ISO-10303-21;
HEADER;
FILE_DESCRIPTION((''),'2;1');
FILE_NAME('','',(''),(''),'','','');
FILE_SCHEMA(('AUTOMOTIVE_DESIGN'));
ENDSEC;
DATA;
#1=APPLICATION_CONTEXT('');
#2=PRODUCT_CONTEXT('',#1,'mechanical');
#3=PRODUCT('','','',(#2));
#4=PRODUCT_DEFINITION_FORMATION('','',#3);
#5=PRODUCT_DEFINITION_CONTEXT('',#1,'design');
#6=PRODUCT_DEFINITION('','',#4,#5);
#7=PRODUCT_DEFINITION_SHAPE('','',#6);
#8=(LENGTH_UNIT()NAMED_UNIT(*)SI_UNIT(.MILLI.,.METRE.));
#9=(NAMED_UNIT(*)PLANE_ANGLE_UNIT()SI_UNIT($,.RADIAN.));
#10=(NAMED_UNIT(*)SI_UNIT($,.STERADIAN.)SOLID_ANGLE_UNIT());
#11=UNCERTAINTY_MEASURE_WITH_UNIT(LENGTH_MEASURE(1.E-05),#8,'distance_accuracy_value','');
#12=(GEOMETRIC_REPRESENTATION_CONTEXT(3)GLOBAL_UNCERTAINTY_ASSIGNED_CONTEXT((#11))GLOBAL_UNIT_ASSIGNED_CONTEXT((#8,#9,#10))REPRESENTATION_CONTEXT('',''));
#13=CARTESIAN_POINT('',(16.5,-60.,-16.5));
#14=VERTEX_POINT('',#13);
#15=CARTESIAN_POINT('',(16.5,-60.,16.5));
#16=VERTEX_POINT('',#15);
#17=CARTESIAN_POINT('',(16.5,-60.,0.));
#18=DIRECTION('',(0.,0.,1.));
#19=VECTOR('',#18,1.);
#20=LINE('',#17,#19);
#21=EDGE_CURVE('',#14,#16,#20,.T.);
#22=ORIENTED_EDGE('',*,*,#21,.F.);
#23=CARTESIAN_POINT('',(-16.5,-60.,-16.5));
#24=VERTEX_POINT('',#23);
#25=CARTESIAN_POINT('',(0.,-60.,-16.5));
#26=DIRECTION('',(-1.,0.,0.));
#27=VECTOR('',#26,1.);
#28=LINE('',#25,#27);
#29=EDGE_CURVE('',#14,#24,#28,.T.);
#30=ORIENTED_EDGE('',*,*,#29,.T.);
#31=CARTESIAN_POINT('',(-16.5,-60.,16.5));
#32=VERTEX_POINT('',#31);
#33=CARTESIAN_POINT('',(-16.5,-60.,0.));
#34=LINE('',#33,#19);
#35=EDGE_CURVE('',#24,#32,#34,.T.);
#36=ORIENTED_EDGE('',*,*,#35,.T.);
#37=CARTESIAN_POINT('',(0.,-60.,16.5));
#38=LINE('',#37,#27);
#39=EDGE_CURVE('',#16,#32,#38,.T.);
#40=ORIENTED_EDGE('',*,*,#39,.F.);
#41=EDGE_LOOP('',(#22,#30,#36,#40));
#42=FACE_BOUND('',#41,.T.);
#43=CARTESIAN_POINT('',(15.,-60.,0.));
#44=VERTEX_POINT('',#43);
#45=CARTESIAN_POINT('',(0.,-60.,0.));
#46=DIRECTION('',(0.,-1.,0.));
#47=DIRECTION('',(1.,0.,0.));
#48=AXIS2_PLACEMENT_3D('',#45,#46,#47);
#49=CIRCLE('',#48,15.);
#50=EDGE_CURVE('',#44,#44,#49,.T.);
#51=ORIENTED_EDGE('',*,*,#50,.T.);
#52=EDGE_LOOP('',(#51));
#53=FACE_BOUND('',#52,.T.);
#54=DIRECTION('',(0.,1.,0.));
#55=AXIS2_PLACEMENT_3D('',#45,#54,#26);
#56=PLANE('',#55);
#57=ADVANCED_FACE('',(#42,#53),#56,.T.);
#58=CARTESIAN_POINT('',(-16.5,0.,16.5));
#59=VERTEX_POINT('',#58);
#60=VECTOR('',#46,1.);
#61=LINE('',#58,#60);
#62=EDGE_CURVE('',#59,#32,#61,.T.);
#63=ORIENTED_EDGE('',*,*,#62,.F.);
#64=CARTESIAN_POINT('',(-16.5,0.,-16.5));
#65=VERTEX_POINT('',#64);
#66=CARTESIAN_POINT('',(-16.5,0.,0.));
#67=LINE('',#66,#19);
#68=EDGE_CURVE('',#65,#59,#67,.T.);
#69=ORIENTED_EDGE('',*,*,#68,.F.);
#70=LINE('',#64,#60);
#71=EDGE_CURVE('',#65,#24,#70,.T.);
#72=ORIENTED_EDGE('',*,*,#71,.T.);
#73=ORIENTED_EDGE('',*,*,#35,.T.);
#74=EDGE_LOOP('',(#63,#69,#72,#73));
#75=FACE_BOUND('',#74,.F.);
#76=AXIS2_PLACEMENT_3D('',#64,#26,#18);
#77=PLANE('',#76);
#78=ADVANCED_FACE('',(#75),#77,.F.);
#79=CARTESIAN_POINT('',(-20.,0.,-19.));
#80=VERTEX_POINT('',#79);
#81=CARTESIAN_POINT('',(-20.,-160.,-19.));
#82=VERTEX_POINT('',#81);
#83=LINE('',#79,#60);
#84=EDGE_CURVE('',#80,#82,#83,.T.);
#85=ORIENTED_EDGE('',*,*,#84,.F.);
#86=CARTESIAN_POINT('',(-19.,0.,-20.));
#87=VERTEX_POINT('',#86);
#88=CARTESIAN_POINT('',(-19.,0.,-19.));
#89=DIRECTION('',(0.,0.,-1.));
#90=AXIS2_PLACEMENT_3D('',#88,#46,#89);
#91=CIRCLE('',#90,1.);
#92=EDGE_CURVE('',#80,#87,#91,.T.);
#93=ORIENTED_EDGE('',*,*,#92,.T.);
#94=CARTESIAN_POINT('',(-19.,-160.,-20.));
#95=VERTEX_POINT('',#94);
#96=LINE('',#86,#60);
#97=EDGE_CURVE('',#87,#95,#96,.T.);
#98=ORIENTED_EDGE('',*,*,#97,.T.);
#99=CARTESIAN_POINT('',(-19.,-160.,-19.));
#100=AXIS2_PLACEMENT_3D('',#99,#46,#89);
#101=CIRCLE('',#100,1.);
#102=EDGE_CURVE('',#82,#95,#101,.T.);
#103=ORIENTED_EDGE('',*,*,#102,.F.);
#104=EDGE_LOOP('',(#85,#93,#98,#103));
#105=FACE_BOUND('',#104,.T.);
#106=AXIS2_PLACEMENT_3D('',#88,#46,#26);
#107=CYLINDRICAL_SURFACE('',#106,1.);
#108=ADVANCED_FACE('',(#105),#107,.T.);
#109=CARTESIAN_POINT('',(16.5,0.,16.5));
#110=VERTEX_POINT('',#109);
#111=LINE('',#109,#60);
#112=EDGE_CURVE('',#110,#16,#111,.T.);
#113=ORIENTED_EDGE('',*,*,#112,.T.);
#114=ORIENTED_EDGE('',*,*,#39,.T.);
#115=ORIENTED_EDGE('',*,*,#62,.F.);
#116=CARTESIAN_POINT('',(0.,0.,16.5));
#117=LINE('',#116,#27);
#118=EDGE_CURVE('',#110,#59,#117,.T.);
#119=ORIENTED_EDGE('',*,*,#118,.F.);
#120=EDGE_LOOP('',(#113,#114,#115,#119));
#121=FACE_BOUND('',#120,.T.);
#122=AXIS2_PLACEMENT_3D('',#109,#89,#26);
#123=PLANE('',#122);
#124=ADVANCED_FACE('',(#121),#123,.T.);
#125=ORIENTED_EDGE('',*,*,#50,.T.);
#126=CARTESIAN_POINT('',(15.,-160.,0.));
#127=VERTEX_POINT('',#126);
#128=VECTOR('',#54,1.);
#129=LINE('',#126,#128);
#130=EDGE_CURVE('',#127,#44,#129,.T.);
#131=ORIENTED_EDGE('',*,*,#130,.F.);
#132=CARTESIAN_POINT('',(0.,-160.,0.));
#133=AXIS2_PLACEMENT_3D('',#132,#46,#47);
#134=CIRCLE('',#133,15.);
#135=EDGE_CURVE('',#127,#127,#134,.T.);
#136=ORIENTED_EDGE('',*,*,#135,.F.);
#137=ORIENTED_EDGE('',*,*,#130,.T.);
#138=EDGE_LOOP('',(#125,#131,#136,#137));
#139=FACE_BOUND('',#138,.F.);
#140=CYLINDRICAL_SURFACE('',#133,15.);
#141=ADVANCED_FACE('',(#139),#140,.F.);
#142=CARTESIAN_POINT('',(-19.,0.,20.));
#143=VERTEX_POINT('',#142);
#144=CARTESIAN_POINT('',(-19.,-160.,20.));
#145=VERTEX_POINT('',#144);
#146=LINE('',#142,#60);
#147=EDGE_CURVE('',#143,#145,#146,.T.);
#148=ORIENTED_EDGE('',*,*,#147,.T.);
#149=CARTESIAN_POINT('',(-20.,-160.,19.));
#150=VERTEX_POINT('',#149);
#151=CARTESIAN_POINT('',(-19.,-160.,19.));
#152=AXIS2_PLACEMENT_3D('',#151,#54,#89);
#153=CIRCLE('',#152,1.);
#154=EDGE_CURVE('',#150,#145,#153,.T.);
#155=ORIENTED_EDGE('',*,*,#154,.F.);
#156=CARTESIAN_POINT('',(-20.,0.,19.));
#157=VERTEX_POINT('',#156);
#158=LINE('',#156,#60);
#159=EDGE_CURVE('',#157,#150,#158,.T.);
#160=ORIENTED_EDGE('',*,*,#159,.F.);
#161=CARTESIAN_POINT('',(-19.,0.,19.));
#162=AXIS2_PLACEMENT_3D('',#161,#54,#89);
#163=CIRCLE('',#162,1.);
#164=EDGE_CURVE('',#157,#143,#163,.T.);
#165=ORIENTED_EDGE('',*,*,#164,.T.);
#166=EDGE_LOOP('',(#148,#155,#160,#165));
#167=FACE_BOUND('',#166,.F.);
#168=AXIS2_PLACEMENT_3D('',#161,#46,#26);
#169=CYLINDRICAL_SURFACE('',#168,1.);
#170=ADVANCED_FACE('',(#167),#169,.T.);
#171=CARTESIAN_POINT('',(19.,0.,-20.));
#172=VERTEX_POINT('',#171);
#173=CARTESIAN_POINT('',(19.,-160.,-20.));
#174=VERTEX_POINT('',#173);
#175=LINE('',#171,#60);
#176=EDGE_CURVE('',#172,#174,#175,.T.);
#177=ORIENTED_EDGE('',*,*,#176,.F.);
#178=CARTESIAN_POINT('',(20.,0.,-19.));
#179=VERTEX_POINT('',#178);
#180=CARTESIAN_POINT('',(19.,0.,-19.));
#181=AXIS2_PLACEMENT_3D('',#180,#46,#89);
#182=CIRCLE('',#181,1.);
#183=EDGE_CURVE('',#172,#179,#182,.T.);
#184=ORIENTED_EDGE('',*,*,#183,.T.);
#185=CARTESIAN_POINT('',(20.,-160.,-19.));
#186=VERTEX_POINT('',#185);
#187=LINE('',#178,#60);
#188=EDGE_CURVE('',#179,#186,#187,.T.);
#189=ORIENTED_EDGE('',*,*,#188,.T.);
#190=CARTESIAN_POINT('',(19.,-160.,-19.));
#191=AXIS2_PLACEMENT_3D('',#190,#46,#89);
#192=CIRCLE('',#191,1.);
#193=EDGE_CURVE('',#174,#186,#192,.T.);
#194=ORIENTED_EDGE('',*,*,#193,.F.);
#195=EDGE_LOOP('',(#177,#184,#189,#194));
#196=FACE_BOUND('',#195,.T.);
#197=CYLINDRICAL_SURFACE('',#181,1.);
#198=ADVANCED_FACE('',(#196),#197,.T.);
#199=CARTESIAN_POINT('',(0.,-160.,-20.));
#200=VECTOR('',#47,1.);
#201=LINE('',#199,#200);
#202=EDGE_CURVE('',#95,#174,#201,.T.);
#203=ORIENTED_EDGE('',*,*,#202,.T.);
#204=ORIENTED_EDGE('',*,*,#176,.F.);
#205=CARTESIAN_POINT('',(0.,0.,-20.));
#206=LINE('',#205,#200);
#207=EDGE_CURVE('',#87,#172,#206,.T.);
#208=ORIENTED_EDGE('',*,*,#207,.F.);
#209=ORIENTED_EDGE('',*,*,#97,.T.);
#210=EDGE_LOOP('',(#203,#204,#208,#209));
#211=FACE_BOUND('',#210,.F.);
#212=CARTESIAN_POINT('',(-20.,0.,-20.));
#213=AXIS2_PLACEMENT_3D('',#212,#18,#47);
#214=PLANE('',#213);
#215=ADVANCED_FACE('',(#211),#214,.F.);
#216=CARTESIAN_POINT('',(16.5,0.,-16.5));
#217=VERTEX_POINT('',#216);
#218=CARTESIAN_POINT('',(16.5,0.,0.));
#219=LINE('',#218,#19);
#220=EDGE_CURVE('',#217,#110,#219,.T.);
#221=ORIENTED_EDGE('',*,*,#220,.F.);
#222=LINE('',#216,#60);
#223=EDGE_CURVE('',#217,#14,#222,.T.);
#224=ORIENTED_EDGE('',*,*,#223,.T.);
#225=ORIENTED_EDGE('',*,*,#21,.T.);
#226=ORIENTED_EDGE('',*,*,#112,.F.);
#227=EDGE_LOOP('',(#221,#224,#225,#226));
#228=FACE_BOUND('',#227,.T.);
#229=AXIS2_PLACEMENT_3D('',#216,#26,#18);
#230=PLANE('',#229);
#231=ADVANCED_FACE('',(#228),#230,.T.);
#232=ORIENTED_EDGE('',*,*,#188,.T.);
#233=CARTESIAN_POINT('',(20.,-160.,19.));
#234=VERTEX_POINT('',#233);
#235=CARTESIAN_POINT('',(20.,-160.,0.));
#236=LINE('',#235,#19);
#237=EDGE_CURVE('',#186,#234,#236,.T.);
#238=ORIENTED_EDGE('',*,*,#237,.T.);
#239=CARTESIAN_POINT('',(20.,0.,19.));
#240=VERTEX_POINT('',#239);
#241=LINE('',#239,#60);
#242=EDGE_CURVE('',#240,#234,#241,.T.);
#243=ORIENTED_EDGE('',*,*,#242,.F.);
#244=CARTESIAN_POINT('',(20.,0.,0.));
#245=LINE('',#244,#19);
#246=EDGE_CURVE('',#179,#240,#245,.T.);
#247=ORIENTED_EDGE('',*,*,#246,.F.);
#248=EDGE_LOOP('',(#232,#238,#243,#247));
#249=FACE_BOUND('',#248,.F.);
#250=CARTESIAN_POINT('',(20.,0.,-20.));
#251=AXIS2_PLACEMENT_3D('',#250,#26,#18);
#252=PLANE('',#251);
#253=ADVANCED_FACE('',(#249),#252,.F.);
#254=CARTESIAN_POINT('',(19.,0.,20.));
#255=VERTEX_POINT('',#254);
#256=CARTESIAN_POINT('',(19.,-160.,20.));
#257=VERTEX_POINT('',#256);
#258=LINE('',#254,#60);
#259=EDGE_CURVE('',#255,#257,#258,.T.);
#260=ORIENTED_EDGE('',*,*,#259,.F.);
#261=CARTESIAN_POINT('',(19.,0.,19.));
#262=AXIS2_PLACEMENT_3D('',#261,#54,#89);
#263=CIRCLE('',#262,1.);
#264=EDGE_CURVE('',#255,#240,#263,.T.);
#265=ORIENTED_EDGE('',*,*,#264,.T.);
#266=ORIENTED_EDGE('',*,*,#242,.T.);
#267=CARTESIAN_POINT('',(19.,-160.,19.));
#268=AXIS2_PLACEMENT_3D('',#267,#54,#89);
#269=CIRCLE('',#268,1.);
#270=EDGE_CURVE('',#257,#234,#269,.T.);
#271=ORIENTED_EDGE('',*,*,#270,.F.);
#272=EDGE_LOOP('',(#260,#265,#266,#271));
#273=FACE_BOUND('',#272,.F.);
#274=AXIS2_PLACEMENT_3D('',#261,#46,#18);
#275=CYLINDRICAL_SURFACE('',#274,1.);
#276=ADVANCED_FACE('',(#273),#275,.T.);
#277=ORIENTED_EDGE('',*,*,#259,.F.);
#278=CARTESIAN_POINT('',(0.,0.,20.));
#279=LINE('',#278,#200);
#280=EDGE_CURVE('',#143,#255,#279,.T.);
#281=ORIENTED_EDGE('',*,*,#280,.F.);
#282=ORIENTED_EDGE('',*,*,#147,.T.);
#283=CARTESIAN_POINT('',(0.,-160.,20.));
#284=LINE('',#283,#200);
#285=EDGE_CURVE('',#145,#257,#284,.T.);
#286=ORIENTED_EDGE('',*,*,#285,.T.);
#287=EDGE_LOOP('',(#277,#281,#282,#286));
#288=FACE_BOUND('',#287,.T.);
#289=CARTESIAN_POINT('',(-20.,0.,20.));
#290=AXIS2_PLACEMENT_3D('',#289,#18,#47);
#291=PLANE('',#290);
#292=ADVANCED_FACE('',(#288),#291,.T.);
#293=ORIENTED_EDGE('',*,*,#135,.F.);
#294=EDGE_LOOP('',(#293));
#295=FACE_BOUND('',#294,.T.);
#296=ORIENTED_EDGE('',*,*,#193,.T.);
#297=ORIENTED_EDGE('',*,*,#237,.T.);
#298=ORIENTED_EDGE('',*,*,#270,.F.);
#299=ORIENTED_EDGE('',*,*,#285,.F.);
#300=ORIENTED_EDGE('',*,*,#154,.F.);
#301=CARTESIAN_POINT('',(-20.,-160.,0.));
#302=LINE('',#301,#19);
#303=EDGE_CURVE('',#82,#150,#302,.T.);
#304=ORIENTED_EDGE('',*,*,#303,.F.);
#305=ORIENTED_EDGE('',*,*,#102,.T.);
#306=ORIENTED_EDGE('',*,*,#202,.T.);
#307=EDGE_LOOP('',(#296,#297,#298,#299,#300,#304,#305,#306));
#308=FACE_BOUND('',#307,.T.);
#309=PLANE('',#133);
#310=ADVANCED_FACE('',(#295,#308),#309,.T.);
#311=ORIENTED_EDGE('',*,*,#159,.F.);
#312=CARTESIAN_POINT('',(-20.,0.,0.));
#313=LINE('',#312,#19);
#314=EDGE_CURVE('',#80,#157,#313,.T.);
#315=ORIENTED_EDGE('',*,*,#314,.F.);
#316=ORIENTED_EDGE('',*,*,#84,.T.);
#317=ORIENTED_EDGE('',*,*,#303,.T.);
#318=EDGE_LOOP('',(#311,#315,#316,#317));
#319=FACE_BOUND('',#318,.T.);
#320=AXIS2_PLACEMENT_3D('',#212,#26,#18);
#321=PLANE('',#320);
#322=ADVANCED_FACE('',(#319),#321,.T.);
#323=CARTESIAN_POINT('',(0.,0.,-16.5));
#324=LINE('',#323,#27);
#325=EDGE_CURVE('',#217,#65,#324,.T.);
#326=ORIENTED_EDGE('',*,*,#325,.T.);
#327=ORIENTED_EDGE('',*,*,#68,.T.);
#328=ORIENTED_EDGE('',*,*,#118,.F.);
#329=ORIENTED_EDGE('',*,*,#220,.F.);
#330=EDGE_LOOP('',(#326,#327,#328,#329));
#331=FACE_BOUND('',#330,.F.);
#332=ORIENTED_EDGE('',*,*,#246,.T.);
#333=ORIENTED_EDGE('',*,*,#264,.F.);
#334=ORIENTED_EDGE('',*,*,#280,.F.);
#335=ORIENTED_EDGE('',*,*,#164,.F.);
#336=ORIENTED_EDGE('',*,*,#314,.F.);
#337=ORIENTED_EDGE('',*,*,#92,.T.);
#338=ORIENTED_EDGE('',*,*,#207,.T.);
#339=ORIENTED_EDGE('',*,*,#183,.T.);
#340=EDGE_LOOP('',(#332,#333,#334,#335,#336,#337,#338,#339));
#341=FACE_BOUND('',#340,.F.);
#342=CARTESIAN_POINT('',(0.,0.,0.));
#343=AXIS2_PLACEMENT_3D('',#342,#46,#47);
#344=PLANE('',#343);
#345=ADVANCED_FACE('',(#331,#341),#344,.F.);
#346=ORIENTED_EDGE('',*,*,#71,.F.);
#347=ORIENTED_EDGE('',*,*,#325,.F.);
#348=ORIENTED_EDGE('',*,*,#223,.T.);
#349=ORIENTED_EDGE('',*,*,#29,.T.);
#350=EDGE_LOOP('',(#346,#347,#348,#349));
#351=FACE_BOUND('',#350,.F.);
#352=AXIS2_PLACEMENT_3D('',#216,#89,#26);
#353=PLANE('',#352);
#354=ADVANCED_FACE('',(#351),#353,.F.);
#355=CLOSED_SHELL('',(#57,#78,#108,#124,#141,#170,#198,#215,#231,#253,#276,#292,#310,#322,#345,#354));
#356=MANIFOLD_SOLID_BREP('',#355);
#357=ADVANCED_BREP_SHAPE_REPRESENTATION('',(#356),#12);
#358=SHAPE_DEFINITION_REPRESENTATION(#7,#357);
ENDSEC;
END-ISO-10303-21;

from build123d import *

# Parameters (mm, degrees)
F0_W     = 40
F0_H     = 40
F1_DEPTH = 160
F2_R     = 15
F3_DEPTH = 100
F4_W     = 33
F4_H     = 33
F5_DEPTH = 60
F6_R     = 1


with BuildPart() as f1:
    # F0 (on Front) → F1 (new body)
    with BuildSketch(Plane.XZ):
        Rectangle(F0_W, F0_H)
    extrude(amount=F1_DEPTH)

    # F2 (on face) → F3 (cut)
    with BuildSketch(Plane.XZ.offset(160)):
        Circle(F2_R)
    extrude(amount=-F3_DEPTH, mode=Mode.SUBTRACT)

    # F4 (on face) → F5 (cut)
    with BuildSketch(Plane(origin=(0, 0, 0), x_dir=(-1, 0, 0), z_dir=(0, 1, 0))):
        Rectangle(F4_W, F4_H)
    extrude(amount=-F5_DEPTH, mode=Mode.SUBTRACT)

    # F6
    f6_edges = [f1.edges().sort_by_distance(p)[0] for p in [
        (20, -80, 20),
        (-20, -80, 20),
        (20, -80, -20),
        (-20, -80, -20),
    ]]
    fillet(f6_edges, radius=F6_R)


solid = f1.part
